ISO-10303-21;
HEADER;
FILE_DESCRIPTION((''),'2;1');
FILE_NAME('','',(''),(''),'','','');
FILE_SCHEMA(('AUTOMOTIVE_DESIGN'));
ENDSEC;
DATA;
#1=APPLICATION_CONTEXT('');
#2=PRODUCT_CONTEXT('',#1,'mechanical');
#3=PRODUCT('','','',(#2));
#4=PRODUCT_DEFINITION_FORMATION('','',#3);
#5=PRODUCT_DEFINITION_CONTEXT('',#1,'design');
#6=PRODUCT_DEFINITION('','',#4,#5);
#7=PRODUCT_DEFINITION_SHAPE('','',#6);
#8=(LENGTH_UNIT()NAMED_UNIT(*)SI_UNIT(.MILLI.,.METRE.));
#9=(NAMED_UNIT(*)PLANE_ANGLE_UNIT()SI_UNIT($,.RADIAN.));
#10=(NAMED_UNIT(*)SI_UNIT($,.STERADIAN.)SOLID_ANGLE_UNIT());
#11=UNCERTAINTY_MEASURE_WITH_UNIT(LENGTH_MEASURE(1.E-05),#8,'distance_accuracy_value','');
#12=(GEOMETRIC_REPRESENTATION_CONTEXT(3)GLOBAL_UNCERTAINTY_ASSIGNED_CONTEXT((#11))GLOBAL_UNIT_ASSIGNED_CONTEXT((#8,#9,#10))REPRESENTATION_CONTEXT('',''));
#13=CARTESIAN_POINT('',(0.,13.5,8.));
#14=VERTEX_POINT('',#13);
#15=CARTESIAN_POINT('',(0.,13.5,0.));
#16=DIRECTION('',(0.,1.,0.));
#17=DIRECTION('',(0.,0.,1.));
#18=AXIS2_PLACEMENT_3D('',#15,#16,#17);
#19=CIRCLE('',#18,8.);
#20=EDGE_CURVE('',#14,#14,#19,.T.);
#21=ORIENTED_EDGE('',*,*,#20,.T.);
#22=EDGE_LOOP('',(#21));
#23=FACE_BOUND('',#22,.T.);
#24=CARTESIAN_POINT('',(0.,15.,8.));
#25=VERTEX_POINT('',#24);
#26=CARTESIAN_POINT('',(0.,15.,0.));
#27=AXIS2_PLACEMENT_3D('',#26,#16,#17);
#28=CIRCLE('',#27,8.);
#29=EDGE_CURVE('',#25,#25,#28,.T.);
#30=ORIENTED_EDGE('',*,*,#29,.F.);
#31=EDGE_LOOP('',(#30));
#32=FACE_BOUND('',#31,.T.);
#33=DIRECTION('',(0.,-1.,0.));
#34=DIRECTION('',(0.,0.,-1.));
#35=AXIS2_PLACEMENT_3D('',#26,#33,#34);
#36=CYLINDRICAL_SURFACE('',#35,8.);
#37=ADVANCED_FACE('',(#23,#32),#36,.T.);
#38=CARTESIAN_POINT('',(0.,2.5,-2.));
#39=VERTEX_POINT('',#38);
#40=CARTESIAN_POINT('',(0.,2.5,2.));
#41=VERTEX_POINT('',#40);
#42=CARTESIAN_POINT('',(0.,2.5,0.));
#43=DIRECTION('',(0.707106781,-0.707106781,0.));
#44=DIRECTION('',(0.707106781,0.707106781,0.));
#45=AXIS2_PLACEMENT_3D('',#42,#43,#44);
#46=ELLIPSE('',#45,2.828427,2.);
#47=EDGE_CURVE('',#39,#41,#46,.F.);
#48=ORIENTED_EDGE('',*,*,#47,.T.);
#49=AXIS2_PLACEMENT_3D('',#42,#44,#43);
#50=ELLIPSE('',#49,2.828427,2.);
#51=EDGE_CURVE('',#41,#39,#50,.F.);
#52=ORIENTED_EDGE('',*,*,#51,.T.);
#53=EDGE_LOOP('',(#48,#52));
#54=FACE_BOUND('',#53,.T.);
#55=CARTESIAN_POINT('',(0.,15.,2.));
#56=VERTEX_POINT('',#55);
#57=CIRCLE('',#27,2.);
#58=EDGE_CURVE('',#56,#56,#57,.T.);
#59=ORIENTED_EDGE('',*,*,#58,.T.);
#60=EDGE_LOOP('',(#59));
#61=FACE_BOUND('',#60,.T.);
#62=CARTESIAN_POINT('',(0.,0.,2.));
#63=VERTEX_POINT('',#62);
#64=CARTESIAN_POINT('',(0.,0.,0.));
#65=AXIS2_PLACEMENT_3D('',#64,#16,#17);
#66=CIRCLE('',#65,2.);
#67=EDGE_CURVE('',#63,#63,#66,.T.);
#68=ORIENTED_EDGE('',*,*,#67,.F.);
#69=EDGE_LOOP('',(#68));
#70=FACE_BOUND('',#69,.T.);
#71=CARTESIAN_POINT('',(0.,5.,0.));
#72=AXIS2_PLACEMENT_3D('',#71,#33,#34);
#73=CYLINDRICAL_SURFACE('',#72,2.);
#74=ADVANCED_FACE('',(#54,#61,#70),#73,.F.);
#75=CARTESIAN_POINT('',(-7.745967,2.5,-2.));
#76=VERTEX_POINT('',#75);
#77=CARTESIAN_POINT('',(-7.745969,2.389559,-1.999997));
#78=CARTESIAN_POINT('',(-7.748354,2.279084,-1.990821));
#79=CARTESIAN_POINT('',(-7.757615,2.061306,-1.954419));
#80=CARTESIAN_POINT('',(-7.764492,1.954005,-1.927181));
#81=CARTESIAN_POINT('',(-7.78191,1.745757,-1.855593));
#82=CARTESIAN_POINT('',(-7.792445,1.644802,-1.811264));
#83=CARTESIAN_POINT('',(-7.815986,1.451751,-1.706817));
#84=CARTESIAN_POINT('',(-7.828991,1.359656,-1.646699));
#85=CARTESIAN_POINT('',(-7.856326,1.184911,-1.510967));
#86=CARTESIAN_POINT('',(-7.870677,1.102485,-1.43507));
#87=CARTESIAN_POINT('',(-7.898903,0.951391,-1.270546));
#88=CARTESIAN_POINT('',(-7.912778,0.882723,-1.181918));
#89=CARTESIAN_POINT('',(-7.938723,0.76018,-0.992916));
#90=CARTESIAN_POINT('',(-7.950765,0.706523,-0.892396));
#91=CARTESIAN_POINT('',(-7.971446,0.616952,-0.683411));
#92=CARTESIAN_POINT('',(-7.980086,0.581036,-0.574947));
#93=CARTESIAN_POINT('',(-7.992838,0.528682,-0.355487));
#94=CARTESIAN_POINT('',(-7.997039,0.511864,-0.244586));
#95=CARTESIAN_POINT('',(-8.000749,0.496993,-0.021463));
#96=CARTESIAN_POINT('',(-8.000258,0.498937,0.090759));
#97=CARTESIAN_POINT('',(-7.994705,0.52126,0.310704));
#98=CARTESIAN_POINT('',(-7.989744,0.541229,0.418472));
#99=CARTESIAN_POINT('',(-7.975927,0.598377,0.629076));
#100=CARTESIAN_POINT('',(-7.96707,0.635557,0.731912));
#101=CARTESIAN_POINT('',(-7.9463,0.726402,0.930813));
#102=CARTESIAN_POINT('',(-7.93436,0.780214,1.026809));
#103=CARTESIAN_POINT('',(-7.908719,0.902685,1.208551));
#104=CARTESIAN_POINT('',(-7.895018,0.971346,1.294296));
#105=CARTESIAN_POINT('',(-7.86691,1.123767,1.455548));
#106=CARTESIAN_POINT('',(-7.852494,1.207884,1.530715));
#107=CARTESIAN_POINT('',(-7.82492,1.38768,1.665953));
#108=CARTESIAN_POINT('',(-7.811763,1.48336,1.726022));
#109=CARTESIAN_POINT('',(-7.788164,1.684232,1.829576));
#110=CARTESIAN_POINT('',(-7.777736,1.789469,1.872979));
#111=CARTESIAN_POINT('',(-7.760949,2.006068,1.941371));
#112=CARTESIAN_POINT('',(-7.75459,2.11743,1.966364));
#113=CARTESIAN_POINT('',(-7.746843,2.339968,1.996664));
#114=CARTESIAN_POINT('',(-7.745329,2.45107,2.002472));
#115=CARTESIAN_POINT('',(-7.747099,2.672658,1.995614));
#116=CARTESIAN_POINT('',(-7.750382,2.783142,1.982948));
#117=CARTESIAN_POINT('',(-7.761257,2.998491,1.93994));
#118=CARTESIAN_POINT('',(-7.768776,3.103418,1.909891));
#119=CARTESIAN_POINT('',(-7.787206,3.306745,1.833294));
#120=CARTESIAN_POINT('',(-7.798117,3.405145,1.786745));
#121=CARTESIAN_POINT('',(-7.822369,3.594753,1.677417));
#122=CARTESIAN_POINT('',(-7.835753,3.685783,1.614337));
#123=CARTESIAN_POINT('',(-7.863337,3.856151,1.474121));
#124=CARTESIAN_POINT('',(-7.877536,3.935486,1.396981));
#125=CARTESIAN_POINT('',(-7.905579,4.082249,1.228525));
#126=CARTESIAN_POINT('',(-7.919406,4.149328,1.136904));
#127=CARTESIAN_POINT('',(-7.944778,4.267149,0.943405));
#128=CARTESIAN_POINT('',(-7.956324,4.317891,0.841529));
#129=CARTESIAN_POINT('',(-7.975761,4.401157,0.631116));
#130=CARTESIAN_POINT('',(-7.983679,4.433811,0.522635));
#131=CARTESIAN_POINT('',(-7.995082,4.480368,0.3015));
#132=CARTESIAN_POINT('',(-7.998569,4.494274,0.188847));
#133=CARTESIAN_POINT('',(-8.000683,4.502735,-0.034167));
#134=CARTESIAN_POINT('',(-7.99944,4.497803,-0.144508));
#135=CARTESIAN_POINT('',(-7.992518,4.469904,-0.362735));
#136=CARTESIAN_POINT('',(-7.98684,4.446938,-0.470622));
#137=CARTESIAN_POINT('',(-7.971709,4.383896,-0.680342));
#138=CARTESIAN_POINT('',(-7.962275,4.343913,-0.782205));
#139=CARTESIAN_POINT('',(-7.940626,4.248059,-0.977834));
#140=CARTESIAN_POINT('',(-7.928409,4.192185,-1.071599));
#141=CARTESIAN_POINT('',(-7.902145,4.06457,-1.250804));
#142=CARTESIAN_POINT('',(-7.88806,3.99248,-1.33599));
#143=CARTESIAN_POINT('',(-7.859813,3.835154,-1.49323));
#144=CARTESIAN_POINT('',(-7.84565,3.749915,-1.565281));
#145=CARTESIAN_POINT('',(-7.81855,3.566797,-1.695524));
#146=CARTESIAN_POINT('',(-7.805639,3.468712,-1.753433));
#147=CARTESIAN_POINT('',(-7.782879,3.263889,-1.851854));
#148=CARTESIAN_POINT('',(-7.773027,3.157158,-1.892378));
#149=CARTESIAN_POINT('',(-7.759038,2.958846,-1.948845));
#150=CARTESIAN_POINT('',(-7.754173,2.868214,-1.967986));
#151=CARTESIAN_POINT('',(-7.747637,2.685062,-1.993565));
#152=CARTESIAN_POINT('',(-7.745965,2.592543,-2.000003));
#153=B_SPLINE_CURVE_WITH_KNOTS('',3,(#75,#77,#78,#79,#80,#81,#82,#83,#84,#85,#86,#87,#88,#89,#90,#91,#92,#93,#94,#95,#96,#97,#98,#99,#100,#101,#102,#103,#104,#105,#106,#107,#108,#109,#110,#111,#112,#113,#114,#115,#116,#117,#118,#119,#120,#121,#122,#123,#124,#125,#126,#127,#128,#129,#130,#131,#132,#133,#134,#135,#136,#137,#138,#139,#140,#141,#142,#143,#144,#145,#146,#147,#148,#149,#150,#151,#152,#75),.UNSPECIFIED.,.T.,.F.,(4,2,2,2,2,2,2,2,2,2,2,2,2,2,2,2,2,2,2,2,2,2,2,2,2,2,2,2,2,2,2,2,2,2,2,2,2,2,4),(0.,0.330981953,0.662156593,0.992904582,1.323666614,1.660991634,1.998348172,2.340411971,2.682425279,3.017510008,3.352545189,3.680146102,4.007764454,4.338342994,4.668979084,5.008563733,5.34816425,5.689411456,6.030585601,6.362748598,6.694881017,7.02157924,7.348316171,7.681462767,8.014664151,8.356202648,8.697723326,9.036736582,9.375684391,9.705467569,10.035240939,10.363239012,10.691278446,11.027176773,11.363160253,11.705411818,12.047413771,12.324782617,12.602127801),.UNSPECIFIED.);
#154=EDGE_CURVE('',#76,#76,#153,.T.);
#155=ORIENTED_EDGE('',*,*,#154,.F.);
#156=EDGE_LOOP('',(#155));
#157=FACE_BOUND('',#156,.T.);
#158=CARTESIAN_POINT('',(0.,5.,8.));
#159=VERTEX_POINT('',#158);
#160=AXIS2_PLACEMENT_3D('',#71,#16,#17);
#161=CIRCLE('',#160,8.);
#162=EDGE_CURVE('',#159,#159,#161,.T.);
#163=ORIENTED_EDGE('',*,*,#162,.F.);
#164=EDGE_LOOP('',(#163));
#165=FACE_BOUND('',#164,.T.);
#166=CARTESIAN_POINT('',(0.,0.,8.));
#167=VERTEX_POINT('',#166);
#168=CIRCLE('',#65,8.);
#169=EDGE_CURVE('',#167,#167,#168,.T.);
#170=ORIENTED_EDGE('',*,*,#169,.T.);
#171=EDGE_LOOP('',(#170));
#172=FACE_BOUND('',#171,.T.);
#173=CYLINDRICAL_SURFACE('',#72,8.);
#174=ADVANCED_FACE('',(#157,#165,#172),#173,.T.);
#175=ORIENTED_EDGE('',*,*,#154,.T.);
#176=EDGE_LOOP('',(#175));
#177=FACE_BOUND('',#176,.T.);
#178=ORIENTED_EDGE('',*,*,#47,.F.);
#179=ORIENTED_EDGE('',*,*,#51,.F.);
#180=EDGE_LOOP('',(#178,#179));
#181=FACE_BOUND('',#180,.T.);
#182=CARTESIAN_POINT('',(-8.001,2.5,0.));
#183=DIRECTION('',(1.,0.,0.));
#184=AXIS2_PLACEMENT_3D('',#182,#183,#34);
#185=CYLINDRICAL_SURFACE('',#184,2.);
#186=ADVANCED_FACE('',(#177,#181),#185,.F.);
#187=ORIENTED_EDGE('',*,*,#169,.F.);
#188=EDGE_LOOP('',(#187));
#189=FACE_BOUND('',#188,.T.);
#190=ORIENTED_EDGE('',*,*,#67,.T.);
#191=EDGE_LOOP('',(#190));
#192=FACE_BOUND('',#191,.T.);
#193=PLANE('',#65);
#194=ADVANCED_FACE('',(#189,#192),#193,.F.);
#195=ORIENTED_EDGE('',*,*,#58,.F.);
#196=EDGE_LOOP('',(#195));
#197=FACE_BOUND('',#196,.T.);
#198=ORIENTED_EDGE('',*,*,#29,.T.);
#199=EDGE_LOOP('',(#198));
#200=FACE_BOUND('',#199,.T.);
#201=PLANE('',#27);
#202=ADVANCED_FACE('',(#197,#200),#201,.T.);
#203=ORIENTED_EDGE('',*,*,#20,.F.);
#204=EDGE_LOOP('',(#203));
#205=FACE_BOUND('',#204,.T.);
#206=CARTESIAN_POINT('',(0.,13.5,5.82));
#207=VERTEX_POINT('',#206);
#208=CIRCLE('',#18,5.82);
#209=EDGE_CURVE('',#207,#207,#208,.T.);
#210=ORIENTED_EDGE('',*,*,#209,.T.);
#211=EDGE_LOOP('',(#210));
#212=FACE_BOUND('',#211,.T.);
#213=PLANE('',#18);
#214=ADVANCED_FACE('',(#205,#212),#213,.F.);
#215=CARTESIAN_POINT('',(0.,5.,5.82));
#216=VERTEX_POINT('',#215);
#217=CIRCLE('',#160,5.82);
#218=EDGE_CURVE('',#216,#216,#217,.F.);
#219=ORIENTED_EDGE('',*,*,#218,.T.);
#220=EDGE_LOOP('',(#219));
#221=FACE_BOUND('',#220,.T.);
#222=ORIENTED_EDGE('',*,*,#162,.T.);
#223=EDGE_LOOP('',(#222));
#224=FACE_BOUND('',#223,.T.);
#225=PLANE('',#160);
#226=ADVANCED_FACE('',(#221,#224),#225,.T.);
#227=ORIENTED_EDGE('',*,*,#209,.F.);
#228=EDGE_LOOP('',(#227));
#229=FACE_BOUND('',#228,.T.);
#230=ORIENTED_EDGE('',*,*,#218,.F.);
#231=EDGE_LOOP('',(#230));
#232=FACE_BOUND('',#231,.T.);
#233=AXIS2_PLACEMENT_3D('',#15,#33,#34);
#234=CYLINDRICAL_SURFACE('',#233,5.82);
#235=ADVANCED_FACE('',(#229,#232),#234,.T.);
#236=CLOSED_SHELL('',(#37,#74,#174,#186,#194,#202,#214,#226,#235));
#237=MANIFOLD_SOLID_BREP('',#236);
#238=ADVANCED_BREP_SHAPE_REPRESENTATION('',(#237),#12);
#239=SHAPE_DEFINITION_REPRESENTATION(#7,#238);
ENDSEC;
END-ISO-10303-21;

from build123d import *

# Parameters (mm, degrees)
CROQUIS1_R              = 8
CROQUIS1_R_2            = 2
SALIENTE_EXTRUIR1_DEPTH = 5
CROQUIS1_3_R            = 5.82
CROQUIS1_3_R_2          = 2
SALIENTE_EXTRUIR2_DEPTH = 13.5
CROQUIS2_R              = 8
CROQUIS2_R_2            = 2
SALIENTE_EXTRUIR7_DEPTH = 1.5
CORTAR_EXTRUIR1_REACH   = 20.788
CROQUIS3_R              = 2


with BuildPart() as part:
    # Croquis1 → Saliente-Extruir1 (new body)
    with BuildSketch(Plane(origin=(0, 0, 0), x_dir=(1, 0, 0), z_dir=(0, 1, 0))):
        Circle(CROQUIS1_R)
        Circle(CROQUIS1_R_2, mode=Mode.SUBTRACT)
    extrude(amount=SALIENTE_EXTRUIR1_DEPTH)

    # Croquis1<3> → Saliente-Extruir2 (add)
    with BuildSketch(Plane(origin=(0, 0, 0), x_dir=(1, 0, 0), z_dir=(0, 1, 0))):
        Circle(CROQUIS1_3_R)
        Circle(CROQUIS1_3_R_2, mode=Mode.SUBTRACT)
    extrude(amount=SALIENTE_EXTRUIR2_DEPTH)

    # Croquis2 → Saliente-Extruir7 (add)
    with BuildSketch(Plane(origin=(0, 13.5, 0), x_dir=(1, 0, 0), z_dir=(0, 1, 0))):
        Circle(CROQUIS2_R)
        Circle(CROQUIS2_R_2, mode=Mode.SUBTRACT)
    extrude(amount=SALIENTE_EXTRUIR7_DEPTH)

    # Croquis3 → Cortar-Extruir1 (cut, up to next)
    with BuildSketch(Plane(origin=(0, 0, 0), x_dir=(0, 0, -1), z_dir=(1, 0, 0)), mode=Mode.PRIVATE) as cortar_extruir1_sk1:
        with Locations((0, 2.5)):
            Circle(CROQUIS3_R)
    cortar_extruir1_tool1 = extrude(cortar_extruir1_sk1.sketch, amount=-CORTAR_EXTRUIR1_REACH, mode=Mode.PRIVATE) & part.part
    add(cortar_extruir1_tool1.solids().sort_by_distance((0, 2.5, 0))[0], mode=Mode.SUBTRACT)


solid = part.part
